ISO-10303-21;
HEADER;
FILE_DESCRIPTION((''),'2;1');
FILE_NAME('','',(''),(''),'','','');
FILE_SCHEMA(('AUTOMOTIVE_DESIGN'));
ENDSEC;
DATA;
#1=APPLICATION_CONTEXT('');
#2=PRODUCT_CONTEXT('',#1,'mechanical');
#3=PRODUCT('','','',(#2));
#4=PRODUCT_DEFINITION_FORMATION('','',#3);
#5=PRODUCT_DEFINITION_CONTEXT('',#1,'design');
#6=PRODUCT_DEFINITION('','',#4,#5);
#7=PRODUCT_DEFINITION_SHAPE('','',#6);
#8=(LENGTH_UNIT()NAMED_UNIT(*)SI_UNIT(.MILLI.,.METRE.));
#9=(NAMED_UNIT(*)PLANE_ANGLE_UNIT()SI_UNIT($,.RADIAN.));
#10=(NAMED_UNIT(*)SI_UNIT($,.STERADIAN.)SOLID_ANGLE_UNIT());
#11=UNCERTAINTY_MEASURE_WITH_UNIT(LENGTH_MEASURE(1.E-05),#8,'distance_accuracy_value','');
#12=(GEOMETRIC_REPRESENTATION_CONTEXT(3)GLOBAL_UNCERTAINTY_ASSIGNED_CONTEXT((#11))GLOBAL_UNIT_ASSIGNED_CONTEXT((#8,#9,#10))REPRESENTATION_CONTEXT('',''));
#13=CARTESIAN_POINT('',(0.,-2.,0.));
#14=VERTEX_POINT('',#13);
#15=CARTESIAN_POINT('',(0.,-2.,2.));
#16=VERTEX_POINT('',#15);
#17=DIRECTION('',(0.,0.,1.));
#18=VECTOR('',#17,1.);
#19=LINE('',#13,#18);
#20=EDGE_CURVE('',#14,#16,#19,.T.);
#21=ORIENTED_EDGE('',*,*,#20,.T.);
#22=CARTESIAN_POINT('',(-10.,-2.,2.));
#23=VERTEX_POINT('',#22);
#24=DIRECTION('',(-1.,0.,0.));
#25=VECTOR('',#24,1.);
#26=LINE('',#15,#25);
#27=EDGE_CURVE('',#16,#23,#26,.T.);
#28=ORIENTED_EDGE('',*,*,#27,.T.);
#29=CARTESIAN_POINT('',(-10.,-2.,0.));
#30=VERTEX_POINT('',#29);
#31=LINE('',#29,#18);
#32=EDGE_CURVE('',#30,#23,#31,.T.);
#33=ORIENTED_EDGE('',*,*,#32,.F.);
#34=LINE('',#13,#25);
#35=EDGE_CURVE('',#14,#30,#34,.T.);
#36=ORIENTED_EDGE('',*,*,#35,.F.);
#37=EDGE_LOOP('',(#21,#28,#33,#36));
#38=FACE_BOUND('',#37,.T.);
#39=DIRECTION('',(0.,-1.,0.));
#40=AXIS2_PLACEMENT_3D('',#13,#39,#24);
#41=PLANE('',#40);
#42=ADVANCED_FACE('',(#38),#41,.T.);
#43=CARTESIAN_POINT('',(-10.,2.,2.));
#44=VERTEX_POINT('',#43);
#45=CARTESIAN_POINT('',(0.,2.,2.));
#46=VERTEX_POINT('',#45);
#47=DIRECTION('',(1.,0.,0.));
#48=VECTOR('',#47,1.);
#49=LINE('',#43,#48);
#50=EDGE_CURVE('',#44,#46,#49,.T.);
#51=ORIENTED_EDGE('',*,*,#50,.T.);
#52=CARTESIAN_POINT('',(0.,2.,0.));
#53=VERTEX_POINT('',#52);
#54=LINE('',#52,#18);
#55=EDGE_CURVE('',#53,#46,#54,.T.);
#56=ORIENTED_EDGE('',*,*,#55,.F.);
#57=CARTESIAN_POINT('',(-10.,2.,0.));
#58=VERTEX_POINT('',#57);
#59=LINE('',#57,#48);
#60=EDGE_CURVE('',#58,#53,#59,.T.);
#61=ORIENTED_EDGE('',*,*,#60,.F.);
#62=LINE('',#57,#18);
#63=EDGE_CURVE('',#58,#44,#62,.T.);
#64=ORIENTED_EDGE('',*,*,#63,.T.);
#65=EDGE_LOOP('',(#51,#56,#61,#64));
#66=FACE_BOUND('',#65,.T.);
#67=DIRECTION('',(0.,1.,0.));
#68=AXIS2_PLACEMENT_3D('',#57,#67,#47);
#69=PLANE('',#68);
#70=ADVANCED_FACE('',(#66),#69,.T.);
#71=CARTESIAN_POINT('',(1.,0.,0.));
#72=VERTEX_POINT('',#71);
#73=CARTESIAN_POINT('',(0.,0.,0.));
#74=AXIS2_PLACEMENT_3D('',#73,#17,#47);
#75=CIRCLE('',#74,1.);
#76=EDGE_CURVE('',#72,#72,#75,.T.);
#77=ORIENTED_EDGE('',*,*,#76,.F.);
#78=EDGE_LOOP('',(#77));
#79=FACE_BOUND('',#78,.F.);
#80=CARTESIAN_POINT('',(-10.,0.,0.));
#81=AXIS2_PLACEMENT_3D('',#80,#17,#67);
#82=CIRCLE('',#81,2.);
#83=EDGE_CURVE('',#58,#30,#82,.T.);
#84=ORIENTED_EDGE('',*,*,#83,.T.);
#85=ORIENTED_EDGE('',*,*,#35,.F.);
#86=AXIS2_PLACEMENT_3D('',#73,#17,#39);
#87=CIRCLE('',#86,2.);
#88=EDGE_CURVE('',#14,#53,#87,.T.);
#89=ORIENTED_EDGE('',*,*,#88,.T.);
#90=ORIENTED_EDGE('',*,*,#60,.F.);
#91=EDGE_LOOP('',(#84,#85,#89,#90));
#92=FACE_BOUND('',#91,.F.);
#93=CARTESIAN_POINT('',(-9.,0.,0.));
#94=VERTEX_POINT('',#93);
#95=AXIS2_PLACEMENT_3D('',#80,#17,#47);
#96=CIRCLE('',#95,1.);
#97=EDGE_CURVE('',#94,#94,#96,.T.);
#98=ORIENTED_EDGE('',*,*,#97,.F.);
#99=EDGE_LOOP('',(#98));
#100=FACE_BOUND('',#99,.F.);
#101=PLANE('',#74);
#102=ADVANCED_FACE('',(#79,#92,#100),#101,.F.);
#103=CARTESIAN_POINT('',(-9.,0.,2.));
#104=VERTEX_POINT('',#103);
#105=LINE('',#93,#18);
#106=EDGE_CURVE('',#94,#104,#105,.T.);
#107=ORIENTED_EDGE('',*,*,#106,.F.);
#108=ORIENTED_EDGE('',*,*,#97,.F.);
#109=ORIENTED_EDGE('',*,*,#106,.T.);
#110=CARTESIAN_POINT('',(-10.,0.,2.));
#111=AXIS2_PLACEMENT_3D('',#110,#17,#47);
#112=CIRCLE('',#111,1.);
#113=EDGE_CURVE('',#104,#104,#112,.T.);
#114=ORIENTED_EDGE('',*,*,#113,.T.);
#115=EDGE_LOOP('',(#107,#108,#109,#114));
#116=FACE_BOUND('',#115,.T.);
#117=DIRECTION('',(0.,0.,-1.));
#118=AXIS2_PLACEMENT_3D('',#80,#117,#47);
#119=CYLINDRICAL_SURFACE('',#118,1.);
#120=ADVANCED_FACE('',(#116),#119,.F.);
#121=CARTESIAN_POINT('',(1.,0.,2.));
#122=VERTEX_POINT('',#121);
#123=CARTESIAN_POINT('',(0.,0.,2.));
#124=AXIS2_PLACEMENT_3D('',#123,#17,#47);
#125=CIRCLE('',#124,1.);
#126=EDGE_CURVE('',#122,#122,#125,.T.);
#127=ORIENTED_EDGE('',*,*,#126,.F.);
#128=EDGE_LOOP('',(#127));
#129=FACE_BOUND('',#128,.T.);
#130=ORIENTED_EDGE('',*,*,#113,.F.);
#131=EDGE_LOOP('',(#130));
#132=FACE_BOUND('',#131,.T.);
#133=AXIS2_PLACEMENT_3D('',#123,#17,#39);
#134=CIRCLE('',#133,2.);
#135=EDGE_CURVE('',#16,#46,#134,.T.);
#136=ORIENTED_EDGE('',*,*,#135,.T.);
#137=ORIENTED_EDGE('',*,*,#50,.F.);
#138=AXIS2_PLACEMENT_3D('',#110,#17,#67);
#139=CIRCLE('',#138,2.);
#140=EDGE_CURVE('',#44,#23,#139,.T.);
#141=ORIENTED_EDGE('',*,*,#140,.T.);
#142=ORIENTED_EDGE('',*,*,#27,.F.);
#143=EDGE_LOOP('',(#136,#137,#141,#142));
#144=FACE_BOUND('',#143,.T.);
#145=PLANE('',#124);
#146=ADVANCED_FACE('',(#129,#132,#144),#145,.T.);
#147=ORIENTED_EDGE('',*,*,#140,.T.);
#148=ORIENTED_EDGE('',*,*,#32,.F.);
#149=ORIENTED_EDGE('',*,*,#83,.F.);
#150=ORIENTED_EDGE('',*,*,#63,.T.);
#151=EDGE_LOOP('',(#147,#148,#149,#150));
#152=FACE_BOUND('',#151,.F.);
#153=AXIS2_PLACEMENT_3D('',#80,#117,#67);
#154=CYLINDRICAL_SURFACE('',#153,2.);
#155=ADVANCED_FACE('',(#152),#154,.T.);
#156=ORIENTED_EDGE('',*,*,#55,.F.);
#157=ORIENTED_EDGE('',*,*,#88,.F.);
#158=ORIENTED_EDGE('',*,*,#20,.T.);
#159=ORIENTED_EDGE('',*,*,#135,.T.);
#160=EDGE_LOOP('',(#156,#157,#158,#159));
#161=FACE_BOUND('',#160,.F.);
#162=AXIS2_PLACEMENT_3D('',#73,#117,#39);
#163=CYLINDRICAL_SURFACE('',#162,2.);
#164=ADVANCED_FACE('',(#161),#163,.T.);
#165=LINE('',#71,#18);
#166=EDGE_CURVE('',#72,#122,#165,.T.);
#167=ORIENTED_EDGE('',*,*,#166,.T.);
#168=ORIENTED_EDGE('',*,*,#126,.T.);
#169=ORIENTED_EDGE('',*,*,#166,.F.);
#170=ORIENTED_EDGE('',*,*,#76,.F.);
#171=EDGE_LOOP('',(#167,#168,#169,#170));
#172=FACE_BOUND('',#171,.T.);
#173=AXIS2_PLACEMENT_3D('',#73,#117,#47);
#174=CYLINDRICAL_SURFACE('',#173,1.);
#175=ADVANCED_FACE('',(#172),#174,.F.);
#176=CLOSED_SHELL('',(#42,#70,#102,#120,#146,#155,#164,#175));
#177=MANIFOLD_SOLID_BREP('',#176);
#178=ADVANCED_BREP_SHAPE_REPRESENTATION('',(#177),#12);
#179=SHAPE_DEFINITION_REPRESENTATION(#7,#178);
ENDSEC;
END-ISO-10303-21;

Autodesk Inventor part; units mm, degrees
ref_plane "YZ Plane" through (0, 0, 0) normal (1, 0, 0) x (0, 1, 0)
ref_plane "XZ Plane" through (0, 0, 0) normal (0, 1, 0) x (-1, 0, 0)
ref_plane "XY Plane" through (0, 0, 0) normal (0, 0, 1) x (1, 0, 0)
sketch "Sketch1" plane through (0, 0, 0) normal (0, 0, 1) x (1, 0, 0)
  circle A0 centre (0, 0) radius 1
  circle A1 centre (-10, 0) radius 1
  line L0 (-10, 2) -> (0, 2)
  arc A2 (0, -2) -> (0, 2) centre (0, 0) ccw
  line L1 (0, -2) -> (-10, -2)
  arc A3 (-10, 2) -> (-10, -2) centre (-10, 0) ccw
  dimension "d0" = 2
  dimension "d1" = 10
  dimension "d2" = 2
extrude "Extrusion1" add sketch "Sketch1" along normal blind 2
properties part number "panto_linkageA"
